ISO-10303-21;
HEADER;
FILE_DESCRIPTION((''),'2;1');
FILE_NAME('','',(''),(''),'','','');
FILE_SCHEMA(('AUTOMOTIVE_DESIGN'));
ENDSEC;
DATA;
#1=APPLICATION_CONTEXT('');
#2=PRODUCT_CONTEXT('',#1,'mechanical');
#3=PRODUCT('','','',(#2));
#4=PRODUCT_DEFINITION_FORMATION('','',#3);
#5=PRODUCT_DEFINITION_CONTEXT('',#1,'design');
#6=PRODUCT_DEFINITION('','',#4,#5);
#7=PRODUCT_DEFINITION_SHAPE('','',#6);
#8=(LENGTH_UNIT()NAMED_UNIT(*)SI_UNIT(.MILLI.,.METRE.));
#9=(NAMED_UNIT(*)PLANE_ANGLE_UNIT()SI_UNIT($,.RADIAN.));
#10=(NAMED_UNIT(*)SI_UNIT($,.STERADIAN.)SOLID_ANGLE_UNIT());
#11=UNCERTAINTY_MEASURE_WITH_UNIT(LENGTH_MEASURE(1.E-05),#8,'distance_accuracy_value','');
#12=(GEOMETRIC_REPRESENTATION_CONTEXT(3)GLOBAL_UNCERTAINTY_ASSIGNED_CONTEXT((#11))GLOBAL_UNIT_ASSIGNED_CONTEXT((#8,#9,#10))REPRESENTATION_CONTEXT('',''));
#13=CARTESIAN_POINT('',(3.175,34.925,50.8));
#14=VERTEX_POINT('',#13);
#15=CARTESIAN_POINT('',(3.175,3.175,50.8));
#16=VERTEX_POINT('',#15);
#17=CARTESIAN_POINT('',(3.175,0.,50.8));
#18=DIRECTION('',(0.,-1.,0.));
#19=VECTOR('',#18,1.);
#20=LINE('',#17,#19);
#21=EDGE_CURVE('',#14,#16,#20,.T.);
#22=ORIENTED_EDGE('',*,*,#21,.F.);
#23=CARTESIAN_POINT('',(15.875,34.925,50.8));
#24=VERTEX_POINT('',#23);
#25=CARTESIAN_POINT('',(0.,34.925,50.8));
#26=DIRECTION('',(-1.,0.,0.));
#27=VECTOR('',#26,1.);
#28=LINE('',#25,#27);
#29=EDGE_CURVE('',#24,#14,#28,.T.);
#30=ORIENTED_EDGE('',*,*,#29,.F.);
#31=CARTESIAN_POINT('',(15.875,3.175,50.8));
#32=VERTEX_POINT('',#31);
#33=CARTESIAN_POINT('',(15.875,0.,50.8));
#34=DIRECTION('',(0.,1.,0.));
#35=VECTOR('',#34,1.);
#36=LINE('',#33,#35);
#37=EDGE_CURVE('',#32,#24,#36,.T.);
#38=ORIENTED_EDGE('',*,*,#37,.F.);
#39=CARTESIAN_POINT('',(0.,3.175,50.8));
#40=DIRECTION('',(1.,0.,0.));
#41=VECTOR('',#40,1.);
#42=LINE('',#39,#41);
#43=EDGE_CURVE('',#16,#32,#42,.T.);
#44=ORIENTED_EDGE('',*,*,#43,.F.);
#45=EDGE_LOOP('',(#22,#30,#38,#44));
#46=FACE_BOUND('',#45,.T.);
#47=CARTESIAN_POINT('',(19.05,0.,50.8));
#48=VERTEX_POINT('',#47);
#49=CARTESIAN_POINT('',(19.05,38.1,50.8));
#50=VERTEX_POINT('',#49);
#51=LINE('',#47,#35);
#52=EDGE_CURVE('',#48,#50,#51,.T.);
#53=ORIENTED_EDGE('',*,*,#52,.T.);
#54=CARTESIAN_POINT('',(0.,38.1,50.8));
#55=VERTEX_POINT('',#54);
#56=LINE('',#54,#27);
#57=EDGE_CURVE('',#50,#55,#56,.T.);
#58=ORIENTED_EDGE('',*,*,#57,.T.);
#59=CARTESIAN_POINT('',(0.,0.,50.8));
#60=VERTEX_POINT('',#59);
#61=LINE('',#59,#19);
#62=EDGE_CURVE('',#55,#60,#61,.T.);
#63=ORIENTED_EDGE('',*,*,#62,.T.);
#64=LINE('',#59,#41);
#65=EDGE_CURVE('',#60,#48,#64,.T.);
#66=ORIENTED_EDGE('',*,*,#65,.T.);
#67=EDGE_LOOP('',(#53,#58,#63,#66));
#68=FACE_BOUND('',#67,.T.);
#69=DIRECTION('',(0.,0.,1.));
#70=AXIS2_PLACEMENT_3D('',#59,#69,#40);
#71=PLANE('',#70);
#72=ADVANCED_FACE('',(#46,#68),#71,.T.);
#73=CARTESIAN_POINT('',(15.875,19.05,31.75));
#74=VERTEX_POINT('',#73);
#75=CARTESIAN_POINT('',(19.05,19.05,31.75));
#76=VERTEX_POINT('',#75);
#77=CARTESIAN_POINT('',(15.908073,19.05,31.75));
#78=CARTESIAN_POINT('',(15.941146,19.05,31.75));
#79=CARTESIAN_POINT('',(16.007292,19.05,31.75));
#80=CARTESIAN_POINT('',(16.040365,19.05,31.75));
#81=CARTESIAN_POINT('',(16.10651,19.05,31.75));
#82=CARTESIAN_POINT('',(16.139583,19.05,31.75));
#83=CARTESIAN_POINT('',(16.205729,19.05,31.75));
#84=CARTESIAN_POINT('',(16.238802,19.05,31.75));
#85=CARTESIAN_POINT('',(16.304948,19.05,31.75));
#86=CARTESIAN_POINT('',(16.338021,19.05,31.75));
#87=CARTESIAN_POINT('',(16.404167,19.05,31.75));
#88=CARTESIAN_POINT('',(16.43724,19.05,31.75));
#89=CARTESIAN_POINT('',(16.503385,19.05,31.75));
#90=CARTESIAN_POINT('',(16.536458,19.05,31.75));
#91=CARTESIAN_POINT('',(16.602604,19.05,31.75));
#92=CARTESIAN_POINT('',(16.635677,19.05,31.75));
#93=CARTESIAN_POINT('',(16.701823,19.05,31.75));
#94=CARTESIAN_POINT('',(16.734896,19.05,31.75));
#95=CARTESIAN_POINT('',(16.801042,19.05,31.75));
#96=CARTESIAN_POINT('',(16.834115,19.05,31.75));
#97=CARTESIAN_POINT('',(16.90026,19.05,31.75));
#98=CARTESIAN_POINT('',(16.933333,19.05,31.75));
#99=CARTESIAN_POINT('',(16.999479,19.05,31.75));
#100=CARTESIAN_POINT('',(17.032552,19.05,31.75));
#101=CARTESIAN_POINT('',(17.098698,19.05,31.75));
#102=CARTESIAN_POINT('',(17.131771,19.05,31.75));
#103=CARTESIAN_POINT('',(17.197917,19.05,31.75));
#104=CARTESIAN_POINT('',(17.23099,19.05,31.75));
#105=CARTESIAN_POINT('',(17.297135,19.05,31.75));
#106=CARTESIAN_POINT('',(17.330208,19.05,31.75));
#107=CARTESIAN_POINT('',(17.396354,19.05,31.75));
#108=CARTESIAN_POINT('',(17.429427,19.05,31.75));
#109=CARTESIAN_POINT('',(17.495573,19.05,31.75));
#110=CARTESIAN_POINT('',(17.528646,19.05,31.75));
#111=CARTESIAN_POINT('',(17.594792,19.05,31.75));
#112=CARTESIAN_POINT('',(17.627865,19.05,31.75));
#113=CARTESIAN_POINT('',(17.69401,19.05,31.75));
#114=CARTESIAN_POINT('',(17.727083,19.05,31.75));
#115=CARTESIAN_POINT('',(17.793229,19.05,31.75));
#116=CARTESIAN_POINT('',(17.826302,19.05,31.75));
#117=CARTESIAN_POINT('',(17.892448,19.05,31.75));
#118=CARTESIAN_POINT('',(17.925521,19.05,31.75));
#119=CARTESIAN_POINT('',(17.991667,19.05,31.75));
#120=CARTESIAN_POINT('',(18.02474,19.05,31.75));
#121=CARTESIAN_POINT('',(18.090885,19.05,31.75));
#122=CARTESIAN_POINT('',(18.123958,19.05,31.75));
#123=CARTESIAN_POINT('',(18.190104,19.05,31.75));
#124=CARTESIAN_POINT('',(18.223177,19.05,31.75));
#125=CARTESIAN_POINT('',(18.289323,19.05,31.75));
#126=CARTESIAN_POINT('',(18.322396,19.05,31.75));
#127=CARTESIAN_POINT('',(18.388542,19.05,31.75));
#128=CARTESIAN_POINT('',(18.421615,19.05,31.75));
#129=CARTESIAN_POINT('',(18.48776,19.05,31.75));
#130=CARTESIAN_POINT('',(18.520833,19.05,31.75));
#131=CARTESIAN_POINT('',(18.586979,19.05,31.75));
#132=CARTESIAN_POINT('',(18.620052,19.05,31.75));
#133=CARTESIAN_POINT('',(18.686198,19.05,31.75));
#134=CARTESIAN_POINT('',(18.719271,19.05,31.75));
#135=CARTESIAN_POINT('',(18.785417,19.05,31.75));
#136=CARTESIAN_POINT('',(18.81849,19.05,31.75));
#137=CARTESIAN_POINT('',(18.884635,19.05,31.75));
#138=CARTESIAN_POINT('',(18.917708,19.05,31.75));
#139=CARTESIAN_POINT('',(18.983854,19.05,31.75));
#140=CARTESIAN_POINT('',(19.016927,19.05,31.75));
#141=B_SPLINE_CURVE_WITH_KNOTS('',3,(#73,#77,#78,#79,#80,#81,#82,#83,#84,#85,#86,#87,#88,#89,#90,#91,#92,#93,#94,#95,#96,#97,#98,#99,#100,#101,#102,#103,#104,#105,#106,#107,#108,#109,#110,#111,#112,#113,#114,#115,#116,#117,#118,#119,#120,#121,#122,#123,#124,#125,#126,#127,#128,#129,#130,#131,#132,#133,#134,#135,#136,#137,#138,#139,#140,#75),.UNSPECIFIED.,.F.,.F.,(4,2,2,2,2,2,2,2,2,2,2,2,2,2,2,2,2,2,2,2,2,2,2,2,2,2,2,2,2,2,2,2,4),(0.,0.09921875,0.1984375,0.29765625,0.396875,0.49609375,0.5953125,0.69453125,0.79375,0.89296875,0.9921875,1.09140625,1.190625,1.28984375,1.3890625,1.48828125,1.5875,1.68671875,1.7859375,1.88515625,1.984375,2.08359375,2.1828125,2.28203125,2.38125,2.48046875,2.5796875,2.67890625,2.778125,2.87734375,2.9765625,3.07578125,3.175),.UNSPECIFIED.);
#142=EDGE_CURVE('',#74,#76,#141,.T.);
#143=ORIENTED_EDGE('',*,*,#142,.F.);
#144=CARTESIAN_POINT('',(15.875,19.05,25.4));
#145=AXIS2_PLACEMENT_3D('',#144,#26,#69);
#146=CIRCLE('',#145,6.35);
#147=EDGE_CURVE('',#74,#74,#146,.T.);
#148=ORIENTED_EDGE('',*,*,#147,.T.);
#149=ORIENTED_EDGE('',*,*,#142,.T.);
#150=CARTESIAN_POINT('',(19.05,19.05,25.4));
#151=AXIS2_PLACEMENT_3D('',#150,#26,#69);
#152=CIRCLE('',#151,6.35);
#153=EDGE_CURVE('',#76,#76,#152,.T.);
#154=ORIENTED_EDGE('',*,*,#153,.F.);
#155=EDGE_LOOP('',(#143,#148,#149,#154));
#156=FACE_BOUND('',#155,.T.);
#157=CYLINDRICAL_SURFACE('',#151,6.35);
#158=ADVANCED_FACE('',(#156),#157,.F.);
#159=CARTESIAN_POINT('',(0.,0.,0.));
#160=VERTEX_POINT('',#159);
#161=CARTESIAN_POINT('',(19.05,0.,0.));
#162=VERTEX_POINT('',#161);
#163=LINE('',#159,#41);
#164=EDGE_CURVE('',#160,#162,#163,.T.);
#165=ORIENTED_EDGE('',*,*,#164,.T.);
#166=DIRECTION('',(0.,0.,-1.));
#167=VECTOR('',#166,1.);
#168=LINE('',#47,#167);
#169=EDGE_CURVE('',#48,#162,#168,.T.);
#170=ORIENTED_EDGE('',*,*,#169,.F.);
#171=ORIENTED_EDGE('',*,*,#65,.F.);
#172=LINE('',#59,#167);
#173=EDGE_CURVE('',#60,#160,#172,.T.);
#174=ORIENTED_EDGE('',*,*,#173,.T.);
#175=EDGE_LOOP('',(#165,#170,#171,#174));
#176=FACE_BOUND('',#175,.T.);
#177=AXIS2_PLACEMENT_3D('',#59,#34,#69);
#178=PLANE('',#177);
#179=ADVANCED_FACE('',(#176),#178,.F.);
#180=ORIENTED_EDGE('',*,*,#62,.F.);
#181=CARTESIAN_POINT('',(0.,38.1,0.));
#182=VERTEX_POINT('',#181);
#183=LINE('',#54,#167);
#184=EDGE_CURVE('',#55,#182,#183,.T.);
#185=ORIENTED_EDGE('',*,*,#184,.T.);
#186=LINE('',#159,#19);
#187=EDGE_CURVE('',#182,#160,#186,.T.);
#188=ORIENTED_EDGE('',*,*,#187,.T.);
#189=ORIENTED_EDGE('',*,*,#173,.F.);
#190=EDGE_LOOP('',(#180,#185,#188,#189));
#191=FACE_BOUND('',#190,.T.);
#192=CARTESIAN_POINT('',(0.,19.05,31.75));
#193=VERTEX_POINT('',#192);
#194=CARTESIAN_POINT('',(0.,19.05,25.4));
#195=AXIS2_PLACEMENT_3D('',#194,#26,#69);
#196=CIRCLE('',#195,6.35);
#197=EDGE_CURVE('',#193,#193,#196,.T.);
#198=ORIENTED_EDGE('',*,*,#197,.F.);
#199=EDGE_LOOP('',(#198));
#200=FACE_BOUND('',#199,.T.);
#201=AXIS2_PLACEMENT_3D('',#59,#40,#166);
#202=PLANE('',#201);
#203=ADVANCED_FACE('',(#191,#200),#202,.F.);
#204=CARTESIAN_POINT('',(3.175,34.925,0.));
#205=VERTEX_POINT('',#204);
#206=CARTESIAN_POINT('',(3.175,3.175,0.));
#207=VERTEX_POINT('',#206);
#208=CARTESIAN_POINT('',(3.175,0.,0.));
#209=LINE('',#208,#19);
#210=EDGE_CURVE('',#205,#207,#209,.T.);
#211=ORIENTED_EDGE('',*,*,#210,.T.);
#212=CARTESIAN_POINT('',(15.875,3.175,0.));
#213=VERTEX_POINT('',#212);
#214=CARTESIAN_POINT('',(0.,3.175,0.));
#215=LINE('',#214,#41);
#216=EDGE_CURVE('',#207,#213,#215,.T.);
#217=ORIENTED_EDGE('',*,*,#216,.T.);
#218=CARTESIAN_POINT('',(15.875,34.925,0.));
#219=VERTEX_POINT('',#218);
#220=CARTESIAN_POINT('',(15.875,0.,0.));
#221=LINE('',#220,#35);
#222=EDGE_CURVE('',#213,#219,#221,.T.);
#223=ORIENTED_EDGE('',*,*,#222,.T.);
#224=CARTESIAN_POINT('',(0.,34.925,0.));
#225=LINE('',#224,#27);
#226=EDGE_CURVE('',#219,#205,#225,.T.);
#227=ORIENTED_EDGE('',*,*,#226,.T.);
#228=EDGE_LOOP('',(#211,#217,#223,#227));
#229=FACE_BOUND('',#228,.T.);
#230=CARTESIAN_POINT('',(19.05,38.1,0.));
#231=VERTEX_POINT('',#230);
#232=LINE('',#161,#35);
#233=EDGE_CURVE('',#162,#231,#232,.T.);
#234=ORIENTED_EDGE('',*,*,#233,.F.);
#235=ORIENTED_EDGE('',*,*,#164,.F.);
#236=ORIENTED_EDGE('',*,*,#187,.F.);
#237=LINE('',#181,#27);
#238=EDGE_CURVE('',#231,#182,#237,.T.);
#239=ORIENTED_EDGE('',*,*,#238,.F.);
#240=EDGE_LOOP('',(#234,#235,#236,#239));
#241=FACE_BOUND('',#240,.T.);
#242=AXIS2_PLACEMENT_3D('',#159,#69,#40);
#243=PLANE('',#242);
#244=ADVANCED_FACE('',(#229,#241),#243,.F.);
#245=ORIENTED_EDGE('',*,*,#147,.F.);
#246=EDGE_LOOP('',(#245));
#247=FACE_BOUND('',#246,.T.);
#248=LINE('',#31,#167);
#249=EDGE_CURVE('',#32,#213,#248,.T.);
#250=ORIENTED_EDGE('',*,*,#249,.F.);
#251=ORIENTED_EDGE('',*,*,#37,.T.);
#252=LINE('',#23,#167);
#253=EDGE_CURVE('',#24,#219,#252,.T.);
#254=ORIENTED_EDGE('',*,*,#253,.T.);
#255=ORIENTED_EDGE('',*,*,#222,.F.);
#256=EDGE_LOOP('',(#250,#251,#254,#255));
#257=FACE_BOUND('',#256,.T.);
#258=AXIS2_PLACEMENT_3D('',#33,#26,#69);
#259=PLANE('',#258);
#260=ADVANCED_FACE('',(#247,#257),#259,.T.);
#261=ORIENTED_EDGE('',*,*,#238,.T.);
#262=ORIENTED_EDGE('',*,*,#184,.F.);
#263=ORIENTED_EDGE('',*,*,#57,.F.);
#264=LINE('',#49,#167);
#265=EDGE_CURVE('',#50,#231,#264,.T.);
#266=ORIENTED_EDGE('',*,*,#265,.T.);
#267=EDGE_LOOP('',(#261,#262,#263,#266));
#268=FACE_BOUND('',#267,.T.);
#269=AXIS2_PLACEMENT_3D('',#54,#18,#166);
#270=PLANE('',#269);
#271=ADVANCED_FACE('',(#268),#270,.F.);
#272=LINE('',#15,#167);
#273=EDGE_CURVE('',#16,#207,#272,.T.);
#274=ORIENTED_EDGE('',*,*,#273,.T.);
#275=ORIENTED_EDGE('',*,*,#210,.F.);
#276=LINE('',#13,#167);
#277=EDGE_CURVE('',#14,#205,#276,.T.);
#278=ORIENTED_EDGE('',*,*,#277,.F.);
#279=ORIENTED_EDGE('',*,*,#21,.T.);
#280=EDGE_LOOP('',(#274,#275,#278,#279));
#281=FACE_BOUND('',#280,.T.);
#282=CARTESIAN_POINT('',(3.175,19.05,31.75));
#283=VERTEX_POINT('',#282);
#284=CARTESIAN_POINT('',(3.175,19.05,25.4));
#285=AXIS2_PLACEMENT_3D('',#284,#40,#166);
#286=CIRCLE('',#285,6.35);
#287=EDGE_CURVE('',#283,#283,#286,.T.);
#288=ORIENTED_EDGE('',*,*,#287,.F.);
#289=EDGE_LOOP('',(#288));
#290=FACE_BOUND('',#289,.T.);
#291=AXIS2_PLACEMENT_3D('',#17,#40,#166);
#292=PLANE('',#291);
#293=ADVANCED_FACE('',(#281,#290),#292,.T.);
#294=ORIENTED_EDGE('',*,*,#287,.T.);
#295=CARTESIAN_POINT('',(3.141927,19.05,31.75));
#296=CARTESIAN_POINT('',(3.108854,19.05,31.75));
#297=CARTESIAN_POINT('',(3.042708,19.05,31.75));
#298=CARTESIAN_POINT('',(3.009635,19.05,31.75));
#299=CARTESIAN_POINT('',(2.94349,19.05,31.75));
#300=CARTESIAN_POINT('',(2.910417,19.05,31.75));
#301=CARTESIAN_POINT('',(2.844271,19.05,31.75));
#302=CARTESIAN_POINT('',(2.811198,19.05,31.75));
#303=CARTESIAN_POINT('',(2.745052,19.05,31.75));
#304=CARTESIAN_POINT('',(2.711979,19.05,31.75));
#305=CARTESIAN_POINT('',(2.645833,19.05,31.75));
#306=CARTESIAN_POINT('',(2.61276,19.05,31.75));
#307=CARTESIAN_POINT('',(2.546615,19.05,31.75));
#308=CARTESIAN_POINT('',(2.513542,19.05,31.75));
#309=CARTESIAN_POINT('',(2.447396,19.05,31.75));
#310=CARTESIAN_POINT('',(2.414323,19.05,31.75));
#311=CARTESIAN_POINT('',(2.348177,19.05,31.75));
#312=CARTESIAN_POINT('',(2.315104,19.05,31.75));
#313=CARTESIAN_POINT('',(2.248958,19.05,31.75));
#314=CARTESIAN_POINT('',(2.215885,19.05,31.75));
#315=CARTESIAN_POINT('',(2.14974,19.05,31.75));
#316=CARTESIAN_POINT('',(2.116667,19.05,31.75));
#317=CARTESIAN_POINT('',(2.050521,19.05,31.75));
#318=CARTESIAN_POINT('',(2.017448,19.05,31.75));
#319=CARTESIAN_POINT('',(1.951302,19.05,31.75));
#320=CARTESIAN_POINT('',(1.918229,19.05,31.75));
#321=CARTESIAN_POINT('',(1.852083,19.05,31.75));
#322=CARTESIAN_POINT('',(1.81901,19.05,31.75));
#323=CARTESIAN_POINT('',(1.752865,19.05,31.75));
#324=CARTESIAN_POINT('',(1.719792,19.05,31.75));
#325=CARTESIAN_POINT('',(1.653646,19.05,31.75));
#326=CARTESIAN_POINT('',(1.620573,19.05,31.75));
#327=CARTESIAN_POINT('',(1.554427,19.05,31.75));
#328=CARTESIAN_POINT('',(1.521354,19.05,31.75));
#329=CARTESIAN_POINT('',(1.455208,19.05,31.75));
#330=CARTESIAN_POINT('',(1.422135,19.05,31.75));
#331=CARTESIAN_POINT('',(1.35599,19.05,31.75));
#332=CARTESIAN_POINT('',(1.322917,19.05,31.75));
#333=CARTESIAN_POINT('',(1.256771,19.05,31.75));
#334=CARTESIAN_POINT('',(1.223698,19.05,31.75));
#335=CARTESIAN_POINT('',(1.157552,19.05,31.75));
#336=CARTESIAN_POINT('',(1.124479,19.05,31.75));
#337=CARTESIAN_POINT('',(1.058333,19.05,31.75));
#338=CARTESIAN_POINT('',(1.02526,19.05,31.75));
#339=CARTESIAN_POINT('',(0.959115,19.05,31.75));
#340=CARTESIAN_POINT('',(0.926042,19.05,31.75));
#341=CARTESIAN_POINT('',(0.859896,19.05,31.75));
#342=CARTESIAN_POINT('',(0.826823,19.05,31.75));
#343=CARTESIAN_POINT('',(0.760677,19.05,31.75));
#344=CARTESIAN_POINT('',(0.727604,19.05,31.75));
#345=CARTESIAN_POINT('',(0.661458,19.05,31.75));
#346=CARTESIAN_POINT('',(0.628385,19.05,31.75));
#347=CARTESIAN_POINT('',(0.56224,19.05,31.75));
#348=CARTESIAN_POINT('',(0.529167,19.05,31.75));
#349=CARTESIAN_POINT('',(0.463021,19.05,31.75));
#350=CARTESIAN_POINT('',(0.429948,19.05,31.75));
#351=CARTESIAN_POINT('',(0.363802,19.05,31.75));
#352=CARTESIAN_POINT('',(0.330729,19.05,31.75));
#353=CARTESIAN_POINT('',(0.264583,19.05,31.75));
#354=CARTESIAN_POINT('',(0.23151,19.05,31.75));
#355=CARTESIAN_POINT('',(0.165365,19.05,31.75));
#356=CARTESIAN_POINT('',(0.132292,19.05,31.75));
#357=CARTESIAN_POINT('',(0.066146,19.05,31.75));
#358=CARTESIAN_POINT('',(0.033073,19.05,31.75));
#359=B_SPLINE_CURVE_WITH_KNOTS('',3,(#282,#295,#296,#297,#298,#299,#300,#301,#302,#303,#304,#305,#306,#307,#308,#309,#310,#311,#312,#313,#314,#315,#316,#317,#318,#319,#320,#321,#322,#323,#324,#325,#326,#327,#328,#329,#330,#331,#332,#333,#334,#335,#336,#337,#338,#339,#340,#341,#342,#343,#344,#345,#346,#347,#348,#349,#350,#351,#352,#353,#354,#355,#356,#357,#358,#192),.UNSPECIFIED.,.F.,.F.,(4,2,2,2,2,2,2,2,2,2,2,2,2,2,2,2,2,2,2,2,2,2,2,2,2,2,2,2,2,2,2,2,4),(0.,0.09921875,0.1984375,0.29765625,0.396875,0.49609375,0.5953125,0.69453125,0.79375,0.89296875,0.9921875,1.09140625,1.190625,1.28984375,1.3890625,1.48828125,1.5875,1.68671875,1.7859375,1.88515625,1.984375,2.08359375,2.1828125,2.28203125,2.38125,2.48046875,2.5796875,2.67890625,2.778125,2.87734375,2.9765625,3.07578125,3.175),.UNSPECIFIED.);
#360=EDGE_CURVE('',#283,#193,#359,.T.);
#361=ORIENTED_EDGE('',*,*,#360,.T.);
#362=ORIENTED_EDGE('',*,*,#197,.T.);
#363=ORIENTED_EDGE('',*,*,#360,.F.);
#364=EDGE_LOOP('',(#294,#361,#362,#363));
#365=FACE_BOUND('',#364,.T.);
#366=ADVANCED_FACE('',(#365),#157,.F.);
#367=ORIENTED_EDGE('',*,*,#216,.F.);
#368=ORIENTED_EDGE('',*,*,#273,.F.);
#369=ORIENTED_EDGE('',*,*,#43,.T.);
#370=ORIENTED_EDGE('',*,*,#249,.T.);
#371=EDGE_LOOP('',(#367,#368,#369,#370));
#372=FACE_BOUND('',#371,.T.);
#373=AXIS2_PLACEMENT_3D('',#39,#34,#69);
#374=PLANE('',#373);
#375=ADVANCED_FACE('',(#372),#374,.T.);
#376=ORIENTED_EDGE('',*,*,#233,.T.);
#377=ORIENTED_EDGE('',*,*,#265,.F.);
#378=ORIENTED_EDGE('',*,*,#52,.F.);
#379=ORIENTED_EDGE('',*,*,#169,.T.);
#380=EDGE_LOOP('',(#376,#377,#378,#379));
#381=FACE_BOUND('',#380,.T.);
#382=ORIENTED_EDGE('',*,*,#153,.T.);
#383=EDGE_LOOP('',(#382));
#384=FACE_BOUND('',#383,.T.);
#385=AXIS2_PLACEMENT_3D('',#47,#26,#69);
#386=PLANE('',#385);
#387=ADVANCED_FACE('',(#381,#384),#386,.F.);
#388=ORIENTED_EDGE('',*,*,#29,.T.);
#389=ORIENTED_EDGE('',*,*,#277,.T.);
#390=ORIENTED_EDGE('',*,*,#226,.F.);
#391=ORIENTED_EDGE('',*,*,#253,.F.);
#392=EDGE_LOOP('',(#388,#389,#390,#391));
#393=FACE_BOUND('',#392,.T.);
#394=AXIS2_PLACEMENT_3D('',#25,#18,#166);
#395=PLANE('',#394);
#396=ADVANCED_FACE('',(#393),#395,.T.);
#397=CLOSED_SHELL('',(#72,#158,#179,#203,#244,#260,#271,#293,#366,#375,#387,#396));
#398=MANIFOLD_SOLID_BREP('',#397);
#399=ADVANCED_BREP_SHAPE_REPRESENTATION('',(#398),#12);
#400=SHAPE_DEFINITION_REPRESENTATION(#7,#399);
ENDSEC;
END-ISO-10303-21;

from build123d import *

# Parameters (mm, degrees)
SKETCH1_W           = 19.05
SKETCH1_H           = 38.1
SKETCH1_W_2         = 12.7
SKETCH1_H_2         = 31.75
EXTRUDE_THIN1_DEPTH = 50.8
SKETCH3_R           = 6.35
CUT_EXTRUDE2_DEPTH  = 67.295946332


with BuildPart() as part:
    # Sketch1 → Extrude-Thin1 (new body)
    with BuildSketch(Plane.XY):
        with Locations((9.525, 19.05)):
            Rectangle(SKETCH1_W, SKETCH1_H)
        with Locations((9.525, 19.05)):
            Rectangle(SKETCH1_W_2, SKETCH1_H_2, mode=Mode.SUBTRACT)
    extrude(amount=EXTRUDE_THIN1_DEPTH)

    # Sketch3 → Cut-Extrude2 (cut, through all)
    with BuildSketch(Plane.ZY):
        with Locations((25.4, 19.05)):
            Circle(SKETCH3_R)
    extrude(amount=-CUT_EXTRUDE2_DEPTH, mode=Mode.SUBTRACT)


solid = part.part
